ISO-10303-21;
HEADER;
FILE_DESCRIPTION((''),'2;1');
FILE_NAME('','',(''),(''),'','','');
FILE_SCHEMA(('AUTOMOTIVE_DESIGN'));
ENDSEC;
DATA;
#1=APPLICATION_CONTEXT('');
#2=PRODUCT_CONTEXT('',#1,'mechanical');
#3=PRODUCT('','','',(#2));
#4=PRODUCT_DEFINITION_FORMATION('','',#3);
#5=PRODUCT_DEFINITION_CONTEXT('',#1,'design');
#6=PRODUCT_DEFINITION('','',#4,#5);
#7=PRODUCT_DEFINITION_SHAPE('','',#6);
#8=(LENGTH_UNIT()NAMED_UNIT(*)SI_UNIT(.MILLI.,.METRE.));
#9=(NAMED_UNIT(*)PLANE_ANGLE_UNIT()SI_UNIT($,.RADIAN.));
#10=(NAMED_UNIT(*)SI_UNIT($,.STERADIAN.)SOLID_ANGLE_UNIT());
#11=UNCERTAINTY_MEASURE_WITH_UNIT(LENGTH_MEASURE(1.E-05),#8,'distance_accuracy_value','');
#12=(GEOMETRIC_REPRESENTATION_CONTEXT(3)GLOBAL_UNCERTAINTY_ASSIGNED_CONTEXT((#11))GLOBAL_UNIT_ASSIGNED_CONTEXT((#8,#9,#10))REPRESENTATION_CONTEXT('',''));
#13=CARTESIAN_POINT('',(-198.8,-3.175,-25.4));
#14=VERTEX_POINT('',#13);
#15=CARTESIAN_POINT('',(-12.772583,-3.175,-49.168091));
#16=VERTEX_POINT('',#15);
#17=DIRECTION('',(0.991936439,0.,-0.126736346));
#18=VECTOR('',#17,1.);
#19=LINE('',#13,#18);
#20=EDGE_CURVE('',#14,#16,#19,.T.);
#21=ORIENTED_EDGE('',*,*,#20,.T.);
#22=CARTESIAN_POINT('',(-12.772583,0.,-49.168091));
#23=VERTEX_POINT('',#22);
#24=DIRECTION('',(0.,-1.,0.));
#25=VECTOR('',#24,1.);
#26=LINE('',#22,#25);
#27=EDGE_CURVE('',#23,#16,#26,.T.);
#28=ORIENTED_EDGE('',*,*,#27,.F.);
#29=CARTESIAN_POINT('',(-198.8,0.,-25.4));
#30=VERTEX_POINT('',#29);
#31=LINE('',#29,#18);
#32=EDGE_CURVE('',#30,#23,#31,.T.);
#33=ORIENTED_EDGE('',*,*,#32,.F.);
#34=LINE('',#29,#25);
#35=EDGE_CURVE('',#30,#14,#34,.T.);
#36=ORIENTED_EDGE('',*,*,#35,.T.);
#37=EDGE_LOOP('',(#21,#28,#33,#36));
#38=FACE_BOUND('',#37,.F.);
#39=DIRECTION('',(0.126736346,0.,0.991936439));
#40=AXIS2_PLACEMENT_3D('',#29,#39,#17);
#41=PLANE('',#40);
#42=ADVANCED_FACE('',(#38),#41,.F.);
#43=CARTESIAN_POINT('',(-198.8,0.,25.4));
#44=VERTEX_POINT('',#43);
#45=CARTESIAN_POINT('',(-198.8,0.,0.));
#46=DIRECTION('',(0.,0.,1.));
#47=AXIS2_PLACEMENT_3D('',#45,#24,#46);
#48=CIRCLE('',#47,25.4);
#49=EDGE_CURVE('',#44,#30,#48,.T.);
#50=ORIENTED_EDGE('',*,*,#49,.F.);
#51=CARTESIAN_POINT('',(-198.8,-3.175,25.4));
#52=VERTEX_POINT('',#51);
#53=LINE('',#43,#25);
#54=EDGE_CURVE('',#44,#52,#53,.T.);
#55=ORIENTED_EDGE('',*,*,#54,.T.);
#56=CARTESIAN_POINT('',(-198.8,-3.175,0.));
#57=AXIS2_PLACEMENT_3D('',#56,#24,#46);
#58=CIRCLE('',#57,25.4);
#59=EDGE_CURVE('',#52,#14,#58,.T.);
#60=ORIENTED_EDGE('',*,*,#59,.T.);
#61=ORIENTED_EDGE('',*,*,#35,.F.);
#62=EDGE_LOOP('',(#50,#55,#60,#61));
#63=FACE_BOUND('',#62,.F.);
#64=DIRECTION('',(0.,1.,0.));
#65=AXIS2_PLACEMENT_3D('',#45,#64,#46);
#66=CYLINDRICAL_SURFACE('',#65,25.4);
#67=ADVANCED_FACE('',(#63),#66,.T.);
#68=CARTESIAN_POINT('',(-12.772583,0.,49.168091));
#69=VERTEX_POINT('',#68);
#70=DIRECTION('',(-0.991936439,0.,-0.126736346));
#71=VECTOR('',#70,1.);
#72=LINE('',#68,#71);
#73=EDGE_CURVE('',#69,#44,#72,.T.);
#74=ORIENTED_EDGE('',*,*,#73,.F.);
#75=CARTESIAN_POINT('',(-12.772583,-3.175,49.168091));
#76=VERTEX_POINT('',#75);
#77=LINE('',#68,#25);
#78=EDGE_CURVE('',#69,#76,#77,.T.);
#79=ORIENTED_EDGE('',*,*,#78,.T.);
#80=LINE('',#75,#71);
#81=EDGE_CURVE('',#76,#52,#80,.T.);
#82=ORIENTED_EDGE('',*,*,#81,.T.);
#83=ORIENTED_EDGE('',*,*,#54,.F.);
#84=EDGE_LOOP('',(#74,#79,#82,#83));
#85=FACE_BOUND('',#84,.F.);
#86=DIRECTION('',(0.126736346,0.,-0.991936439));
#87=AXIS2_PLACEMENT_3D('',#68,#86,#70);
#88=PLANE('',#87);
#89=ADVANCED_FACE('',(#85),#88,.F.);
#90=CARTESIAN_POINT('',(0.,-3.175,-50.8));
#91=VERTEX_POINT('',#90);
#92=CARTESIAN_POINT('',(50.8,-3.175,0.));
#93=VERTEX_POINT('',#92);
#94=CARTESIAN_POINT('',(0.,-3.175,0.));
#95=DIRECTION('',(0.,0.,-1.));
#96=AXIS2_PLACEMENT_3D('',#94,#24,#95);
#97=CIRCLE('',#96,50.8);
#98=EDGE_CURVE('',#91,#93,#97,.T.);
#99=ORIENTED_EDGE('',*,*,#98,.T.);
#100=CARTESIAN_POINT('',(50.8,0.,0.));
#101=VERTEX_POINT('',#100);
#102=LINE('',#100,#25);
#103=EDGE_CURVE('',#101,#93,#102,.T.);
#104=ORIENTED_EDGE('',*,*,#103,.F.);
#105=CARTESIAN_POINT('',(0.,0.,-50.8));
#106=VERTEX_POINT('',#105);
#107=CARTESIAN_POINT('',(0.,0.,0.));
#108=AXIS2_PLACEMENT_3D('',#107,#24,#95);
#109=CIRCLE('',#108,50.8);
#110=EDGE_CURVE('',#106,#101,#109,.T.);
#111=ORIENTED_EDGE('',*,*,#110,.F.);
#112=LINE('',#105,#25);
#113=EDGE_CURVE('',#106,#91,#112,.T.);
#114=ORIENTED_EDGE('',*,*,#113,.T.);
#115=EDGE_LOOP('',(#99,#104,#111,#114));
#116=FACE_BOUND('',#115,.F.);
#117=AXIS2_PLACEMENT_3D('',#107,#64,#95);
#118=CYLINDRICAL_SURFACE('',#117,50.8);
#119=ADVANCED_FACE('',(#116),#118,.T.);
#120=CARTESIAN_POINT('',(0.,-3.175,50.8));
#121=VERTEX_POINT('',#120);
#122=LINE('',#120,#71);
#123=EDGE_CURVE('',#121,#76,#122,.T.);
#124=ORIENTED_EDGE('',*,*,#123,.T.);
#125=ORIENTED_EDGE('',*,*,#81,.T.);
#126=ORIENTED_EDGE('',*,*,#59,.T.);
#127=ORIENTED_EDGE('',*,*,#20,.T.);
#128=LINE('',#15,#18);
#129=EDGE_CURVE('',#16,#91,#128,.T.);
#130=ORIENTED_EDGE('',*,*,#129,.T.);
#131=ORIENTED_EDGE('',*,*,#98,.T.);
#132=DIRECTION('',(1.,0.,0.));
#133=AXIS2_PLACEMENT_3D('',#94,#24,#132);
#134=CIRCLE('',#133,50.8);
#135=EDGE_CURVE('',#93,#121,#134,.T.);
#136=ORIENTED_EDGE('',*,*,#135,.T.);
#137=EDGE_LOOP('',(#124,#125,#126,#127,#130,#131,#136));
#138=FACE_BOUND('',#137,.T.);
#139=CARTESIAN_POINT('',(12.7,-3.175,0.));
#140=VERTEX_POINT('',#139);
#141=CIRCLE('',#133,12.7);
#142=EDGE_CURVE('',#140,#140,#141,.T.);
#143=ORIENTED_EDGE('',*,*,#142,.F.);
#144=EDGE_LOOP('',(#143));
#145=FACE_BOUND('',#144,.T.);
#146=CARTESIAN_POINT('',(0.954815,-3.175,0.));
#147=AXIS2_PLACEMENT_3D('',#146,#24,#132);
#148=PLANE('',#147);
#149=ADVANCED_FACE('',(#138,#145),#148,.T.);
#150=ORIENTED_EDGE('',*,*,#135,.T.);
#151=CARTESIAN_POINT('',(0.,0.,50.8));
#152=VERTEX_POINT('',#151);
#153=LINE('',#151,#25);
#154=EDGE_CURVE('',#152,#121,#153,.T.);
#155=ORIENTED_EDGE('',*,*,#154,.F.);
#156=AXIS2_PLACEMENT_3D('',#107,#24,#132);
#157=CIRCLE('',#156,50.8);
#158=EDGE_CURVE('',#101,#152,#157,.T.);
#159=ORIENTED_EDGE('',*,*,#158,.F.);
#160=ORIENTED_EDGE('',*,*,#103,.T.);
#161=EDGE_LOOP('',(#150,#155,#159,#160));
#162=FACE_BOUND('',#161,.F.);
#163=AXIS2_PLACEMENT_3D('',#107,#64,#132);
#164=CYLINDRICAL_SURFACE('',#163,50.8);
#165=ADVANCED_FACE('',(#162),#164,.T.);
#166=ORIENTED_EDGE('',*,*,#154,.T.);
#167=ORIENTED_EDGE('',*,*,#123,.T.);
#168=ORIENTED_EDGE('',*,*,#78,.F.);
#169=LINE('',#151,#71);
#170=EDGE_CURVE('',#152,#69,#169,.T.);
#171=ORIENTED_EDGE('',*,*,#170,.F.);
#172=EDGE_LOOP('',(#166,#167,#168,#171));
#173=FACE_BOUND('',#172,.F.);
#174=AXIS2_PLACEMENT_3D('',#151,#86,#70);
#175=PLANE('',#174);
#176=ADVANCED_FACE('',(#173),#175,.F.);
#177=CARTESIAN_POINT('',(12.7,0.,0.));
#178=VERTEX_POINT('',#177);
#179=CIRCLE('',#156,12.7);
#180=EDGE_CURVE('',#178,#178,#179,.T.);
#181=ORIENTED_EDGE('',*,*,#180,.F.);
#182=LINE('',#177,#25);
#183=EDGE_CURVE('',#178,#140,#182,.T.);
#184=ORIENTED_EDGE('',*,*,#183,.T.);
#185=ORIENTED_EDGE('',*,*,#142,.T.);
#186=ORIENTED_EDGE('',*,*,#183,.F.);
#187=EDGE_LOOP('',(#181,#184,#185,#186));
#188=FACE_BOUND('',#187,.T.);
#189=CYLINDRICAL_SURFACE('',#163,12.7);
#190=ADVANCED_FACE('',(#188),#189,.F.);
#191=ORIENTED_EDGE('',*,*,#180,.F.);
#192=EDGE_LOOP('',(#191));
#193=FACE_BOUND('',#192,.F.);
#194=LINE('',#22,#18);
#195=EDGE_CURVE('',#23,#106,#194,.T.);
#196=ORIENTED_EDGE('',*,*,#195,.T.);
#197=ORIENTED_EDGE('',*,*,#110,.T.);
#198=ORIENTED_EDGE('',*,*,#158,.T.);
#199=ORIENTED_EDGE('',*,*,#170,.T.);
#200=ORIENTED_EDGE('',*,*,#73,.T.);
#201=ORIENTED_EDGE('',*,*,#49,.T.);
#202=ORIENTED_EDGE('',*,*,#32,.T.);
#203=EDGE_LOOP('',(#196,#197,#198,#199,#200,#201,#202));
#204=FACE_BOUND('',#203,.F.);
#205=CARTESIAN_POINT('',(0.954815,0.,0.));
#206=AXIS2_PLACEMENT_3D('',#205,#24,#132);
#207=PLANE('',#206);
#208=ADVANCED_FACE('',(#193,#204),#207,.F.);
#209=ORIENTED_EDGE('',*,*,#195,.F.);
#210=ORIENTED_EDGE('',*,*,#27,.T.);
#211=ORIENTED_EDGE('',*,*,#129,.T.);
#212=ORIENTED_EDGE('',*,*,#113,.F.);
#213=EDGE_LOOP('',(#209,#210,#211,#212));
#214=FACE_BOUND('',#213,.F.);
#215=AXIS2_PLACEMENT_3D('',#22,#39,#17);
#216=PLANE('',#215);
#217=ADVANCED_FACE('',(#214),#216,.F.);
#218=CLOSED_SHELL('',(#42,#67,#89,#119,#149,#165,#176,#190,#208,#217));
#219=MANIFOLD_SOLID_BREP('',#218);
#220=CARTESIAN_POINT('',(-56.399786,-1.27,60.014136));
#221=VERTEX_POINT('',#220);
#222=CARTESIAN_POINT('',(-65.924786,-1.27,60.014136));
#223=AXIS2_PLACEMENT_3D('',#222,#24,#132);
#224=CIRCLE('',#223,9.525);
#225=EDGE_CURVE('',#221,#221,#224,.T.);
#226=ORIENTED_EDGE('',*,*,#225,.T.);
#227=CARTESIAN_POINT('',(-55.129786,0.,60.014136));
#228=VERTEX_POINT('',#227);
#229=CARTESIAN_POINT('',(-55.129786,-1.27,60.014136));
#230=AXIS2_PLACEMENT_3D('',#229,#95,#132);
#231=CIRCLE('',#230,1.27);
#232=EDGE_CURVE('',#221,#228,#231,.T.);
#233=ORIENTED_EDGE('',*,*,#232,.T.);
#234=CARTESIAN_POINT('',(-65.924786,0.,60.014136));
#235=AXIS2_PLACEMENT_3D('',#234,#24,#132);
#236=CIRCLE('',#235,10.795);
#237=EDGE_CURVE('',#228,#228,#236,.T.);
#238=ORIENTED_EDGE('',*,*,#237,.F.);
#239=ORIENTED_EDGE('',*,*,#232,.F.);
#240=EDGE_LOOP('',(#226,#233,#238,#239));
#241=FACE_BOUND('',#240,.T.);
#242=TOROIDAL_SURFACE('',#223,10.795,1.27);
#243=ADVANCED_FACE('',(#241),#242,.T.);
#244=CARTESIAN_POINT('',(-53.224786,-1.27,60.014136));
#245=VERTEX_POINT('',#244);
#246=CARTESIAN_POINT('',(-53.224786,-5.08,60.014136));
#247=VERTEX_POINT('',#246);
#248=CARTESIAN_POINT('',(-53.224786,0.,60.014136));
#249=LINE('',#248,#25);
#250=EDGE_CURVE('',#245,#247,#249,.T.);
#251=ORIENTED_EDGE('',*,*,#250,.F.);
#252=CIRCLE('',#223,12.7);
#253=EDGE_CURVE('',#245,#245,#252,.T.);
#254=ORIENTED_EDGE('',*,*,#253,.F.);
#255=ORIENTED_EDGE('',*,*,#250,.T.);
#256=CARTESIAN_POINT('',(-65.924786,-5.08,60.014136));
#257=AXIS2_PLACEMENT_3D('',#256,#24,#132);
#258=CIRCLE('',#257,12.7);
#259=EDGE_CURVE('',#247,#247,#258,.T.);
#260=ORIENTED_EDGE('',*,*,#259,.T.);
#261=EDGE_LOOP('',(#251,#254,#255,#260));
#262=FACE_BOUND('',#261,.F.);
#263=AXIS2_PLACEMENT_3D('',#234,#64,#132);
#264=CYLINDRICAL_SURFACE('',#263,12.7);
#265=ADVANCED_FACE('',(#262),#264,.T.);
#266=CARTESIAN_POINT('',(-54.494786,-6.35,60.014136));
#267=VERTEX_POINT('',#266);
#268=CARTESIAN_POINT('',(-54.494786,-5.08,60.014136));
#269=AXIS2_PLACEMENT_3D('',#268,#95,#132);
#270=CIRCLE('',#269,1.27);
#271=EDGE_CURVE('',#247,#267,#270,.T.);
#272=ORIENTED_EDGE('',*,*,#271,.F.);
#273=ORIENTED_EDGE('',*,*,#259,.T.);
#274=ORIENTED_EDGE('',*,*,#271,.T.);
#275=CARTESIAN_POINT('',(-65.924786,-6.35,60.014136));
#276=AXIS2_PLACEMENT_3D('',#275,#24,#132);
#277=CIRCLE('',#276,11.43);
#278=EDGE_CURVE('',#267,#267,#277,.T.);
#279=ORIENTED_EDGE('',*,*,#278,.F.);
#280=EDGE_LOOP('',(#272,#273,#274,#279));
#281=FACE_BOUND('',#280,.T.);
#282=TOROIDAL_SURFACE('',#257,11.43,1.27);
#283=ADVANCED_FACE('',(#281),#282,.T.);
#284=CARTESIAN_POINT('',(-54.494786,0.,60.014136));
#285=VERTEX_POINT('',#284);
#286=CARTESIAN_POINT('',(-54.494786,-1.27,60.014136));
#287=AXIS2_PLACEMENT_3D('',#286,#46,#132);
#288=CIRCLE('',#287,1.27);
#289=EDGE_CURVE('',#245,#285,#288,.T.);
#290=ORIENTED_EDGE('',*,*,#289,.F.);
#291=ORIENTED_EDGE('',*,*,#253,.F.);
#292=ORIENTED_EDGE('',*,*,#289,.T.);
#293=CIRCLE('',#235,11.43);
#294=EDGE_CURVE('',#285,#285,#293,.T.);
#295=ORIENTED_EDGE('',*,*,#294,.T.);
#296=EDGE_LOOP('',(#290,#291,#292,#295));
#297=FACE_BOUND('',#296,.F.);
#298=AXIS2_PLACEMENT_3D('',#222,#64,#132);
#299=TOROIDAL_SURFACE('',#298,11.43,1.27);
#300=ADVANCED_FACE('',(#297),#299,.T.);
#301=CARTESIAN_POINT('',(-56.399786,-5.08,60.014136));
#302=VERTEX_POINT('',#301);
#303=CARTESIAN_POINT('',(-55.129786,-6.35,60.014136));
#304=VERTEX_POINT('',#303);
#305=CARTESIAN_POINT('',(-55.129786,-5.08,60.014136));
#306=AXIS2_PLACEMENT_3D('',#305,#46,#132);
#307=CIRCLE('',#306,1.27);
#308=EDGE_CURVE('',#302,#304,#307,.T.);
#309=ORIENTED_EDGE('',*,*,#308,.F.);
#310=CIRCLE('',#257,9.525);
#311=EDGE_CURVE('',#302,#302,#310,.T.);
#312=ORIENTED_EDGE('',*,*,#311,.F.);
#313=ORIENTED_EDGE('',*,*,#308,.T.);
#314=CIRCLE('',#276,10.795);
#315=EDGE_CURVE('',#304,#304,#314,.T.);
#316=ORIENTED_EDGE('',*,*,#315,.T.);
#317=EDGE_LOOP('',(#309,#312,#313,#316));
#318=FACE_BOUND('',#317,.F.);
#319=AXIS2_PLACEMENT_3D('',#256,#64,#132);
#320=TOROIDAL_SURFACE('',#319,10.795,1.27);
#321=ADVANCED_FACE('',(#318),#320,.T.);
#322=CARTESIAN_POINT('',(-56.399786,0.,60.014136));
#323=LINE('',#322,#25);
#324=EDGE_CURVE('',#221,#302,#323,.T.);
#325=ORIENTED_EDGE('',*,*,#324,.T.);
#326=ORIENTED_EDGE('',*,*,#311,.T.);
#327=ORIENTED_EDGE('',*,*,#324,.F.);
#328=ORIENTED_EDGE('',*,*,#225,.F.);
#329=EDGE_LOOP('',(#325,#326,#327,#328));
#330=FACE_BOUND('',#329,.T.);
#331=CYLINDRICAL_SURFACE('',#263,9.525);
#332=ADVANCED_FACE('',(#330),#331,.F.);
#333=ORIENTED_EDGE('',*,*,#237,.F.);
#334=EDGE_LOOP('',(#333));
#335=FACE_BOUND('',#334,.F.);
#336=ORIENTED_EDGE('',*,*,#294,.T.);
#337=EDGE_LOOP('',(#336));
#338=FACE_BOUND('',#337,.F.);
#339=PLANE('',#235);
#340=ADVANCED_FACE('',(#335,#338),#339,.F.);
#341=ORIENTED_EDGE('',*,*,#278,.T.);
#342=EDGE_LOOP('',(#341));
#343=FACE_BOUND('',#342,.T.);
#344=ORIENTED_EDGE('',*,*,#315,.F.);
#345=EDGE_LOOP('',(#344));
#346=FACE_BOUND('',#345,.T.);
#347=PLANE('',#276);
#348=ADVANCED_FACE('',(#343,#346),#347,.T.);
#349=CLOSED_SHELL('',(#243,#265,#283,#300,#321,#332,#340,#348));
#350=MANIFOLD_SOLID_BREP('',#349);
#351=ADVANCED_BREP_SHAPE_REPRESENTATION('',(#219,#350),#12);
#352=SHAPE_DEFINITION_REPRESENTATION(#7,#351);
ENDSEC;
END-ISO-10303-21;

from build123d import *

# Parameters (mm, degrees)
F0_R     = 12.7
F1_DEPTH = 3.175
F2_R     = 12.7
F2_R_2   = 9.525
F3_DEPTH = 6.35
F4_R     = 1.27


with BuildPart() as f1:
    # F0 (on Front) → F1 (new body)
    with BuildSketch(Plane.XZ):
        with BuildLine():
            ThreePointArc((0, -50.8), (35.9210244843, -35.9210244843), (50.8, 0))
            ThreePointArc((50.8, 0), (35.9210244843, 35.9210244843), (0, 50.8))
            Line((0, 50.8), (-12.7725829918, 49.1680905031))
            ThreePointArc((-12.7725829918, 49.1680905031), (-50.8, 0), (-12.7725829918, -49.1680905031))
            Line((-12.7725829918, -49.1680905031), (0, -50.8))
        make_face()
        Circle(F0_R, mode=Mode.SUBTRACT)
        with BuildLine():
            ThreePointArc((-12.7725829918, -49.1680905031), (-50.8, 0), (-12.7725829918, 49.1680905031))
            Line((-12.7725829918, 49.1680905031), (-198.8, 25.4))
            ThreePointArc((-198.8, 25.4), (-180.8394877579, 17.9605122421), (-173.4, 0))
            ThreePointArc((-173.4, 0), (-180.8394877579, -17.9605122421), (-198.8, -25.4))
            Line((-198.8, -25.4), (-12.7725829918, -49.1680905031))
        make_face()
        with BuildLine():
            ThreePointArc((-173.4, 0), (-180.8394877579, 17.9605122421), (-198.8, 25.4))
            ThreePointArc((-198.8, 25.4), (-224.2, 0), (-198.8, -25.4))
            ThreePointArc((-198.8, -25.4), (-180.8394877579, -17.9605122421), (-173.4, 0))
        make_face()
    extrude(amount=F1_DEPTH)


with BuildPart() as f3:
    # F2 (on Front) → F3 (new body)
    with BuildSketch(Plane.XZ):
        with Locations((-65.9247860312, 60.0141361356)):
            Circle(F2_R)
        with Locations((-65.9247860312, 60.0141361356)):
            Circle(F2_R_2, mode=Mode.SUBTRACT)
    extrude(amount=F3_DEPTH)

    # F4
    f4_edges = [f3.edges().sort_by_distance(p)[0] for p in [
        (-78.624786, -6.35, 60.014136),
        (-78.624786, 0, 60.014136),
        (-75.449786, -6.35, 60.014136),
        (-75.449786, 0, 60.014136),
    ]]
    fillet(f4_edges, radius=F4_R)


solid = Compound([f1.part, f3.part])
